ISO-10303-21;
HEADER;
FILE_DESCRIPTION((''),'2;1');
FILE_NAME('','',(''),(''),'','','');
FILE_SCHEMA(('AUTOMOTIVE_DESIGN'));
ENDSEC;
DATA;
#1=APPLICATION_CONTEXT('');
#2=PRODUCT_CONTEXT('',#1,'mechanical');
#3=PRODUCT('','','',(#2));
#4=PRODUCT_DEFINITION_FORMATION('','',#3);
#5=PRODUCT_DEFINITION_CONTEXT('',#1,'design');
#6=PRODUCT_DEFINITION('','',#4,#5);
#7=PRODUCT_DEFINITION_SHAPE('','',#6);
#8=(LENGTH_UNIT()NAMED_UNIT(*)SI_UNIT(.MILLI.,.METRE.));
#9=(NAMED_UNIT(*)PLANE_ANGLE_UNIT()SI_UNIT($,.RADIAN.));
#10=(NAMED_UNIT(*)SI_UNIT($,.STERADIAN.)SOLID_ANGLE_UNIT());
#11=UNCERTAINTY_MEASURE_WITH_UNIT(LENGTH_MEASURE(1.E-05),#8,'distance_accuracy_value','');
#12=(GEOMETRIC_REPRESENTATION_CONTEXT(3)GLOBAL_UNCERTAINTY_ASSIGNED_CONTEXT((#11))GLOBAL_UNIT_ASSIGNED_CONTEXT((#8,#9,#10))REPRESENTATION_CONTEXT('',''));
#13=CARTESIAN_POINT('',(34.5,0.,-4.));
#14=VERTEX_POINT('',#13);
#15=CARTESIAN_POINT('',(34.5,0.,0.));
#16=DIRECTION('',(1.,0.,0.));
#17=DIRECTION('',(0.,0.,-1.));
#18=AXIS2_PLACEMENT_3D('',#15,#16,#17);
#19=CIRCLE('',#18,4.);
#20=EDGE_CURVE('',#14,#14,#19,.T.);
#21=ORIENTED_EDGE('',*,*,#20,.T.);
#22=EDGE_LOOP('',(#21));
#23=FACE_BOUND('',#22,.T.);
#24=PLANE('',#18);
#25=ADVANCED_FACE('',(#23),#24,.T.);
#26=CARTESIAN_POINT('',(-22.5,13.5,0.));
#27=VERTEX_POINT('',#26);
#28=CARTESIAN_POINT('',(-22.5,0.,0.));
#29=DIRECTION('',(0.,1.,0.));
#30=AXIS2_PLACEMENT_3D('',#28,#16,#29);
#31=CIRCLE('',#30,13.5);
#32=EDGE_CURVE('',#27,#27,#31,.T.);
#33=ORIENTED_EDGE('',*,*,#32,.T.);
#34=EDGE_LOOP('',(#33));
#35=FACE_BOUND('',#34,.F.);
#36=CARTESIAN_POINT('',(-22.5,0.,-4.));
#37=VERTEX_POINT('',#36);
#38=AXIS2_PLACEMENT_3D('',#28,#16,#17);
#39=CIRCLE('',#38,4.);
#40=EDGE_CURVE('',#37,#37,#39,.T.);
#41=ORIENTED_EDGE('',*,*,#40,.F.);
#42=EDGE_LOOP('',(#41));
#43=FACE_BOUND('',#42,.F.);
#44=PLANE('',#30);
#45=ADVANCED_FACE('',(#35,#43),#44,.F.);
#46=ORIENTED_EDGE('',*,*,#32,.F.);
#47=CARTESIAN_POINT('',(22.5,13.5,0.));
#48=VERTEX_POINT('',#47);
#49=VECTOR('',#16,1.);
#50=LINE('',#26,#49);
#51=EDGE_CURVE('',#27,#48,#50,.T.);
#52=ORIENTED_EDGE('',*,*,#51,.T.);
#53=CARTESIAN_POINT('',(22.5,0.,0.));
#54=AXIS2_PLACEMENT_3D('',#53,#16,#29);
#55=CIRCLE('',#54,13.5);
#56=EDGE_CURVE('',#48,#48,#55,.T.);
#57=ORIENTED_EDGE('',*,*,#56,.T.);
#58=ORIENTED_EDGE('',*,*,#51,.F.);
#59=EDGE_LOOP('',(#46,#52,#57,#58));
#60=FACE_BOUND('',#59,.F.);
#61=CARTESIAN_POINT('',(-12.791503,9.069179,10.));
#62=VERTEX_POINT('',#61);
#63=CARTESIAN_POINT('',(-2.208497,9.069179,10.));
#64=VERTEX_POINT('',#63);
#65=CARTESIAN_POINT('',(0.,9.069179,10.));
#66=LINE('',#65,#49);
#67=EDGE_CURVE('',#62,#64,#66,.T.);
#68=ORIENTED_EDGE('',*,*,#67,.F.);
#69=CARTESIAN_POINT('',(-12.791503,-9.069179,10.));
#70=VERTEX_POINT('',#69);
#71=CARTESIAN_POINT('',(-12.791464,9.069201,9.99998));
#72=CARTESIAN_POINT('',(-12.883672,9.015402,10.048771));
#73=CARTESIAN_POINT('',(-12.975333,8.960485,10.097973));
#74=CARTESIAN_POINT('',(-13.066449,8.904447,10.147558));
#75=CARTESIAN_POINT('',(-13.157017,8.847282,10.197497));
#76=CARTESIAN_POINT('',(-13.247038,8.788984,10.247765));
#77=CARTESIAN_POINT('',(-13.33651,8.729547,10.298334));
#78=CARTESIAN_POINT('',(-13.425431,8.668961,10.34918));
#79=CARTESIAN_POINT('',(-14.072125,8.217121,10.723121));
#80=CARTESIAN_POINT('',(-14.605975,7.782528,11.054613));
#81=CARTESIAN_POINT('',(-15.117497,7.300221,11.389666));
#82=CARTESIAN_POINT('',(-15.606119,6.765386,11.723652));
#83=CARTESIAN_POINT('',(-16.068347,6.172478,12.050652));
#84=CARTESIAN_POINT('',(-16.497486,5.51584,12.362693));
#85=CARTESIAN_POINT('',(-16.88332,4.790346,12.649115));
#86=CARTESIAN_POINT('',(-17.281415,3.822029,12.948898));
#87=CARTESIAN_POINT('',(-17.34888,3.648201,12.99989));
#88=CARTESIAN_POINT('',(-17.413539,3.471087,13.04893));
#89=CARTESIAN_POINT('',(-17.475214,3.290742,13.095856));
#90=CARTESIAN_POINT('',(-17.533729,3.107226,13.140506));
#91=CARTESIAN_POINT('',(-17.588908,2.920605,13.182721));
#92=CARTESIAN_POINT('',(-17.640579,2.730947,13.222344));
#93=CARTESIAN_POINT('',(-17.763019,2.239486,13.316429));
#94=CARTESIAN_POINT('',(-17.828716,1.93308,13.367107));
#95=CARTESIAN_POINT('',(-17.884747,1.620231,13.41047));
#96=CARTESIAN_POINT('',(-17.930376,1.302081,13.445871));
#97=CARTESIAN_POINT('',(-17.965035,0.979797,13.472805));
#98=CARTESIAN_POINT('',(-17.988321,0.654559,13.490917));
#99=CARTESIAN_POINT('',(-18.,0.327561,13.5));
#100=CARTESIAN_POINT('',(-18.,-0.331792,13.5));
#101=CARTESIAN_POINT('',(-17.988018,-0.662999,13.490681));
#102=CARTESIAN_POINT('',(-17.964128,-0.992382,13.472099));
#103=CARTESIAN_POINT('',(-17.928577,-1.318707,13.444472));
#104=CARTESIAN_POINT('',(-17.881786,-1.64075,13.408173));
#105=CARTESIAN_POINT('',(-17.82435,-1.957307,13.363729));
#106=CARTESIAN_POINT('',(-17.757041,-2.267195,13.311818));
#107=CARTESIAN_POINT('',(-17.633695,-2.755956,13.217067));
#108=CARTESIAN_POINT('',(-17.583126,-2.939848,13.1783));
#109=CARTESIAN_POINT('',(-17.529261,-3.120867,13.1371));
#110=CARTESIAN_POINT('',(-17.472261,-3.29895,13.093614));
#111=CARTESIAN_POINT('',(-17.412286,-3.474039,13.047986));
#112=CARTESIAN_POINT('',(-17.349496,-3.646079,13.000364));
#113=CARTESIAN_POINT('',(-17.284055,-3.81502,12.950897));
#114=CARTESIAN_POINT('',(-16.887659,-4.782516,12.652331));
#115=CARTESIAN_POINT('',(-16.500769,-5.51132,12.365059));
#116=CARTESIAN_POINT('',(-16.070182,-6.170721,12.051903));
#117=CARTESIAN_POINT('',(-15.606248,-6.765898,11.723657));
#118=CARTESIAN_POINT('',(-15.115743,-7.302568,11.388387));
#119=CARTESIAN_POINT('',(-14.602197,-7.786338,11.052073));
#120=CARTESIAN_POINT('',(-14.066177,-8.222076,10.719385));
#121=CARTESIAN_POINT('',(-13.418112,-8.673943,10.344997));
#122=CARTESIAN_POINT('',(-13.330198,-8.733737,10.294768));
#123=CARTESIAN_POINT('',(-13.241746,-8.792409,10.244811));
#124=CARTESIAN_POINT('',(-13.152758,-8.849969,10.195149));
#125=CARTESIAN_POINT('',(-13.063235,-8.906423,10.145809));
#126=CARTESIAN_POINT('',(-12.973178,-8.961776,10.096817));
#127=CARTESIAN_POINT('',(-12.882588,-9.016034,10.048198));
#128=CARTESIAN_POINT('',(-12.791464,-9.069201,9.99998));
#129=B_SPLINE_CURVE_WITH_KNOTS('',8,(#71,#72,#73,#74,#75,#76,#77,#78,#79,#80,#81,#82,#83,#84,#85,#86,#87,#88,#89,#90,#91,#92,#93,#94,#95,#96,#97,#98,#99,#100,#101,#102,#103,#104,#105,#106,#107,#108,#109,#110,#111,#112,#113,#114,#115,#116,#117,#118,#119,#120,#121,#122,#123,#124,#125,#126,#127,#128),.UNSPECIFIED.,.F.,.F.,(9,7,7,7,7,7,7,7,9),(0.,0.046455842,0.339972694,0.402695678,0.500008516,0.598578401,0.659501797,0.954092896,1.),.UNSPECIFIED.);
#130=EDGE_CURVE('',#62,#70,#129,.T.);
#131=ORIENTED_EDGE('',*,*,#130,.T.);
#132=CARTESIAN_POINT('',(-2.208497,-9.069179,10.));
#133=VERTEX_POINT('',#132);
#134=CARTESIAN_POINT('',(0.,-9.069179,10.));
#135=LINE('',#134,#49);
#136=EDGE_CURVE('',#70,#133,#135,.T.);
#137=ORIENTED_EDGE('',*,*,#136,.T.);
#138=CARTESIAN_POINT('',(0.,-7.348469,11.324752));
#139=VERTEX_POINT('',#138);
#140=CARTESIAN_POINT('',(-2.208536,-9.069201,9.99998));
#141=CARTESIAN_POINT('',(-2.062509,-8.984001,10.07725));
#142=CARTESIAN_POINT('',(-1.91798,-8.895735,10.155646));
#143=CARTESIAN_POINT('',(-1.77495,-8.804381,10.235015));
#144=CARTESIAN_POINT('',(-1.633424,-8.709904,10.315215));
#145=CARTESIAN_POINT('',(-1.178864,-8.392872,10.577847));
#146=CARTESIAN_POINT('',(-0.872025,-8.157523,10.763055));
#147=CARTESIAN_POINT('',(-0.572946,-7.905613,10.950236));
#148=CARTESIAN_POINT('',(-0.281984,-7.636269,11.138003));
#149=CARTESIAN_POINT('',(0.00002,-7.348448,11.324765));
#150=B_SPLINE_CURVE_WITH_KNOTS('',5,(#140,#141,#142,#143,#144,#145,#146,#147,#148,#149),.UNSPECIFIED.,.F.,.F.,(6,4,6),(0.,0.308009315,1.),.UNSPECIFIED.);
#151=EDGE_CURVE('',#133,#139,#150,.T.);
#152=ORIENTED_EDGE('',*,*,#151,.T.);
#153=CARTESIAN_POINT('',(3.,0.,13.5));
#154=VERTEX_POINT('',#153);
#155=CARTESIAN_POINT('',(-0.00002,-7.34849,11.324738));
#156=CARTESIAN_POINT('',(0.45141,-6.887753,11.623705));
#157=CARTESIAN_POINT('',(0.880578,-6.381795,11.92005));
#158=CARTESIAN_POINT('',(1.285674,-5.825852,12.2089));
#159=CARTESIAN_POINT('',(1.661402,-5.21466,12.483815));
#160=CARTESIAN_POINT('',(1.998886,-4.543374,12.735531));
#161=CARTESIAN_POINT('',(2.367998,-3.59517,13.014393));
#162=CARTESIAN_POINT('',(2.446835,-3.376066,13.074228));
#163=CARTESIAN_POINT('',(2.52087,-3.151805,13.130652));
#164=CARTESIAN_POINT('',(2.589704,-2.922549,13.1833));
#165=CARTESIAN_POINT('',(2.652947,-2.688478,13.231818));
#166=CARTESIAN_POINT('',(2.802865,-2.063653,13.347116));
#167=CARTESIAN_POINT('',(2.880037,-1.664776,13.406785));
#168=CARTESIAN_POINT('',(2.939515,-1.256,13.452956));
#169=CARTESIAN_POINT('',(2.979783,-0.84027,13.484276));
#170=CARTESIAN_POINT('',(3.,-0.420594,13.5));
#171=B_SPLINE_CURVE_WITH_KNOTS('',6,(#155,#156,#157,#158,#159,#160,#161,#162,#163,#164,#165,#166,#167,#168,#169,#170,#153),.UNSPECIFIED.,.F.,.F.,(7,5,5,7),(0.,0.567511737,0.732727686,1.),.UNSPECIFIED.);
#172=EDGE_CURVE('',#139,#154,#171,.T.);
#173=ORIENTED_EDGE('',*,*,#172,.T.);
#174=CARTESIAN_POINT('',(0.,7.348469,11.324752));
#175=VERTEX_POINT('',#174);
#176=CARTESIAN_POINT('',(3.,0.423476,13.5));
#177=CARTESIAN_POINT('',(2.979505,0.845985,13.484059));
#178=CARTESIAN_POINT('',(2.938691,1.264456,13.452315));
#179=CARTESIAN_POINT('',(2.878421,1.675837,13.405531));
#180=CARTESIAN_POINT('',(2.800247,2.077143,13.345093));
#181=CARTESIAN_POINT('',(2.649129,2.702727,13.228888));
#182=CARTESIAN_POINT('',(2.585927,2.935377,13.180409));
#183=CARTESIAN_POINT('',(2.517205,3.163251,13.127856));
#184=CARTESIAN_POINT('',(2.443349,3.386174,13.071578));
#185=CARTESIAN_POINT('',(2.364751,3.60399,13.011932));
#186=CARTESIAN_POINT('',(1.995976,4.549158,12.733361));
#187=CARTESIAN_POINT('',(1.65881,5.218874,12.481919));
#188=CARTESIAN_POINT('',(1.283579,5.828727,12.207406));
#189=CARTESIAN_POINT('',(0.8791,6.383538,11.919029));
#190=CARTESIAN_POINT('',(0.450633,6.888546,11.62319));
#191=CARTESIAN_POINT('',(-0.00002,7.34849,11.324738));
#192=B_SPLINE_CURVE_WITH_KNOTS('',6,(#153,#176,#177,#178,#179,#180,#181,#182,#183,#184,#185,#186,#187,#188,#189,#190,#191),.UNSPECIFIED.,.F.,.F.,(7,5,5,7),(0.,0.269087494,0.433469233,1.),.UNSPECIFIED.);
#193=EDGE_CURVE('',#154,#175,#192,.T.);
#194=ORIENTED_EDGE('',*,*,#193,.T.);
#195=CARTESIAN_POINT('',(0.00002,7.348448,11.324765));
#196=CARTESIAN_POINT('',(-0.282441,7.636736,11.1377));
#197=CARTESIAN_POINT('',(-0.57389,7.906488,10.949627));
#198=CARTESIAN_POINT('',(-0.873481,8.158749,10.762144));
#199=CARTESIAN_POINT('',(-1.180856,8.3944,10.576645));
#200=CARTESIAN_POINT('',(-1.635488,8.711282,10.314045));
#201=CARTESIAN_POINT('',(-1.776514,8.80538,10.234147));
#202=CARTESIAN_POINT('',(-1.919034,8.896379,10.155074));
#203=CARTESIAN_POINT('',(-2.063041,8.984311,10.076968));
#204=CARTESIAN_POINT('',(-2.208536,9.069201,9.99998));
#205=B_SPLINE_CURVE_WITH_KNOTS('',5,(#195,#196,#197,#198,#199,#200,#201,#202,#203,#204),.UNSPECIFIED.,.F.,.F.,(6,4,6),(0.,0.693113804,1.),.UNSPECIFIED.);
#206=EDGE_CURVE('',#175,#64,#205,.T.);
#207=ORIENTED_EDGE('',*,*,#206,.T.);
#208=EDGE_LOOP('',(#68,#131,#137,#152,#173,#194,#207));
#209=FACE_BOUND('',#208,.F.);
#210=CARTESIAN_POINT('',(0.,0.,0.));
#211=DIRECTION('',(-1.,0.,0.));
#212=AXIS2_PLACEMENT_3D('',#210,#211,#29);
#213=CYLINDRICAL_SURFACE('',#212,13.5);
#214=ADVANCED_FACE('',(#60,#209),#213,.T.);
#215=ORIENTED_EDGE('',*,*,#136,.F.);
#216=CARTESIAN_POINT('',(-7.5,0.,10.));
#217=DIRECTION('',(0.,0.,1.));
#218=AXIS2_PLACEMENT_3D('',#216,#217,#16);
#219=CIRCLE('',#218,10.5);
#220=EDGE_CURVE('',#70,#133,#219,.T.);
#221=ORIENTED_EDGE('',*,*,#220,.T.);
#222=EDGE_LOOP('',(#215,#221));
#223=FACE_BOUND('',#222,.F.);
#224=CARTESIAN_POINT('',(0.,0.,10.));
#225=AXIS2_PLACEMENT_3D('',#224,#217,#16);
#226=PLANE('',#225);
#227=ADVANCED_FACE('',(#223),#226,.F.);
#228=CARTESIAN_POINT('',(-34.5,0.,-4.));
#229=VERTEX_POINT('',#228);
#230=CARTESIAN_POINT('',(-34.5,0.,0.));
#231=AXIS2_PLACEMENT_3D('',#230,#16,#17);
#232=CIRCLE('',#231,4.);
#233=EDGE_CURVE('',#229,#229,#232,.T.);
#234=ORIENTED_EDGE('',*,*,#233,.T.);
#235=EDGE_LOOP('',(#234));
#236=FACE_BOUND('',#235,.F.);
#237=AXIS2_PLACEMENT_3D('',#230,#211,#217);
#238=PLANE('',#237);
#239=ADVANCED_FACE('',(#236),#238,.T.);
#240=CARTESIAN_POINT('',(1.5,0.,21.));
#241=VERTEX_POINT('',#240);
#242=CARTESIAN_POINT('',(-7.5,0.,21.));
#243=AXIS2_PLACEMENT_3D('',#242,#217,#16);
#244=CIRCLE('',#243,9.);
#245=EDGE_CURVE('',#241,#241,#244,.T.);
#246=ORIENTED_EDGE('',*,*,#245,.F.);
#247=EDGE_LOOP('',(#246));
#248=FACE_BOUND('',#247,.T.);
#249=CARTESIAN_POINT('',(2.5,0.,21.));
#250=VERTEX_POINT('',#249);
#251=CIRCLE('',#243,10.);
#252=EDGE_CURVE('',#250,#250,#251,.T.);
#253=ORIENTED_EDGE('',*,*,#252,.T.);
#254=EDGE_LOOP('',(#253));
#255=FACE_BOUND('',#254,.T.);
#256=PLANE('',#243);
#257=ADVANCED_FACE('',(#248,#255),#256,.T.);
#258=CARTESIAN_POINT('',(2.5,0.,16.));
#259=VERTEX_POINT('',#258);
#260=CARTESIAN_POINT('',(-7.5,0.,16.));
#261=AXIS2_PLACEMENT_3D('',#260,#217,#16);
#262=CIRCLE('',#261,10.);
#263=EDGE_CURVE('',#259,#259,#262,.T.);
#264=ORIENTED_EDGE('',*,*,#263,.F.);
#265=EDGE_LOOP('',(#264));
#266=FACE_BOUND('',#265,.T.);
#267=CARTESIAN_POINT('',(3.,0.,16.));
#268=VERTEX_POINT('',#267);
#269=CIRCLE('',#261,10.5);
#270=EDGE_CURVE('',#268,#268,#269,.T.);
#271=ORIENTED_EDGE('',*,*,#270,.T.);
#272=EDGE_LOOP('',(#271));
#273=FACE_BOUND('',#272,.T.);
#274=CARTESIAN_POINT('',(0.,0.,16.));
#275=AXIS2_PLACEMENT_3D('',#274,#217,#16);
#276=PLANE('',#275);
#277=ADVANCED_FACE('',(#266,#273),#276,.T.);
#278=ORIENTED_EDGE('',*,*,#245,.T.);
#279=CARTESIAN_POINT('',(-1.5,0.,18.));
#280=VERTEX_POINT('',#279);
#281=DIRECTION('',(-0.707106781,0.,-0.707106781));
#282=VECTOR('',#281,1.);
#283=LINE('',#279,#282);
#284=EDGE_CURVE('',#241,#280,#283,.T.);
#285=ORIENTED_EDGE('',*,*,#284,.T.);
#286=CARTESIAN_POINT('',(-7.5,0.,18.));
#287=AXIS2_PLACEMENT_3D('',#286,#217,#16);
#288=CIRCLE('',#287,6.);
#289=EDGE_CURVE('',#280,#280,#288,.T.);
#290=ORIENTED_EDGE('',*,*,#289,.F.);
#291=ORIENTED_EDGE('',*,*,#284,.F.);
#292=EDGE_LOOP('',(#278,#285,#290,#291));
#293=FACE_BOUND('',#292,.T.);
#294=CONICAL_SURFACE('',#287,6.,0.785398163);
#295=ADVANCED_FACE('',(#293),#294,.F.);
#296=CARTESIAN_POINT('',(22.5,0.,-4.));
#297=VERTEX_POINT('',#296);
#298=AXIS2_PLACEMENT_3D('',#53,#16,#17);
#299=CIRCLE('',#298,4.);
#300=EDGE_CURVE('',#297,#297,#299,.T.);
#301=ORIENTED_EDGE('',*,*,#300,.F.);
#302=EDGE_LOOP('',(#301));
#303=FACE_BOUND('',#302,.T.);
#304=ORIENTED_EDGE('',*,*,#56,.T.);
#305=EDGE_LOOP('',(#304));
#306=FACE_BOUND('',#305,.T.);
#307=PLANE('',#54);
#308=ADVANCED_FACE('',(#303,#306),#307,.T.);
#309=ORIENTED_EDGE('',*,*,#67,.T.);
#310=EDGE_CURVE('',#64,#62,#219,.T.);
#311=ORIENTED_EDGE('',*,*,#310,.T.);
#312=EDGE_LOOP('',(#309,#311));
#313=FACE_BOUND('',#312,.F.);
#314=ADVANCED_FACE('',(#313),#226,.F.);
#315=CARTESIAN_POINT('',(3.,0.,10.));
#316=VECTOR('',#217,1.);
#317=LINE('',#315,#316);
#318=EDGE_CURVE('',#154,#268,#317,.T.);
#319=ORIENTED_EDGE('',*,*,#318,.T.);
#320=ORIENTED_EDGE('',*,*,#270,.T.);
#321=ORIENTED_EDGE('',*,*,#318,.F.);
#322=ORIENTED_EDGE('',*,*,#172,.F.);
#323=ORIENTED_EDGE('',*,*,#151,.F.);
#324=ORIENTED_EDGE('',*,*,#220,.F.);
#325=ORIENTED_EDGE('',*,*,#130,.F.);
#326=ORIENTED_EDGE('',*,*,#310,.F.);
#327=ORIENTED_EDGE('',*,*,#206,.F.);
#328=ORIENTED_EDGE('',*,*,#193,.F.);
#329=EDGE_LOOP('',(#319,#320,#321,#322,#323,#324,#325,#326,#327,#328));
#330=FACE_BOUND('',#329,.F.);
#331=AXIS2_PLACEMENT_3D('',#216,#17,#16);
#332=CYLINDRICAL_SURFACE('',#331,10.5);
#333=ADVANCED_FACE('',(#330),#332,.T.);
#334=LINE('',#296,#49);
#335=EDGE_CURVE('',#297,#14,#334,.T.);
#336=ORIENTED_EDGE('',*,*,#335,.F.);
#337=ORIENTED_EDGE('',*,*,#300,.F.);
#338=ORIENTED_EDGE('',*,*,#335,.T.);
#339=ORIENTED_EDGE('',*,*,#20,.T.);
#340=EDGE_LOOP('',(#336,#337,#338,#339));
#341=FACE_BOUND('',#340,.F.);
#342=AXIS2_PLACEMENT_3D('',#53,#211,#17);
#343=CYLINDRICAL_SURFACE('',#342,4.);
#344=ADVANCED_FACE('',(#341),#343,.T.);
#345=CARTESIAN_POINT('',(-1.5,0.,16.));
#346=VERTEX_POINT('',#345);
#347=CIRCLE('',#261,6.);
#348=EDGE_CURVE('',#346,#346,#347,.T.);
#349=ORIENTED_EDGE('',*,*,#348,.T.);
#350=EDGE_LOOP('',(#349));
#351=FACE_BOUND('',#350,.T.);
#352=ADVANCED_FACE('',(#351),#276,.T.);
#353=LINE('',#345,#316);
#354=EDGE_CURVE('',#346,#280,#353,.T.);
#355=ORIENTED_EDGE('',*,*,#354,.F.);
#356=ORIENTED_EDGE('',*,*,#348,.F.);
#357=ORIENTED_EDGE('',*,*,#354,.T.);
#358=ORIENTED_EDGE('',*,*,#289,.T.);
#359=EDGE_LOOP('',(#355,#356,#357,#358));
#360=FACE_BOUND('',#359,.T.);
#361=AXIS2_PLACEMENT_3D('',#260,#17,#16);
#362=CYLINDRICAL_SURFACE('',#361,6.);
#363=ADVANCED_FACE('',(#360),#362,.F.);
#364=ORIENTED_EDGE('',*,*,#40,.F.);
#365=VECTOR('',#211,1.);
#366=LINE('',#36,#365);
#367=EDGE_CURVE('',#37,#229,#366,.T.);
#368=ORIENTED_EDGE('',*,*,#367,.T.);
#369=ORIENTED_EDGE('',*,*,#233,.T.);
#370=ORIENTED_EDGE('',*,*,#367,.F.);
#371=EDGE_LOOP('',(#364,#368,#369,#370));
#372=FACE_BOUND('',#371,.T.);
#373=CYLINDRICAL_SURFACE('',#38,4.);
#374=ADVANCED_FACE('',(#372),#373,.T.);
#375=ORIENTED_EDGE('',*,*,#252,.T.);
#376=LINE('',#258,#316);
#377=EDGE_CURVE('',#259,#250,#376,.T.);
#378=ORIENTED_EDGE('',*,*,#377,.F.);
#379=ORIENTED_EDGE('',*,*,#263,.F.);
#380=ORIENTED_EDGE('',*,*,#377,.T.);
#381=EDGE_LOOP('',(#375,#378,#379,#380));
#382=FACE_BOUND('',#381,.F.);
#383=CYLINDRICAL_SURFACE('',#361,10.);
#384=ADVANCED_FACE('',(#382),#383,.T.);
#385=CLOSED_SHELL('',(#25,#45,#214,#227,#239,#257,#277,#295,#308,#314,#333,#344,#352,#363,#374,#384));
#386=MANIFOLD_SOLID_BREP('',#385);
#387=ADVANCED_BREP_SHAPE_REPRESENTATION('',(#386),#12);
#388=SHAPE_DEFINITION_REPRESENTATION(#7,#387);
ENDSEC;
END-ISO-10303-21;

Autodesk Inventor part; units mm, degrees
ref_plane "YZ Plane" through (0, 0, 0) normal (1, 0, 0) x (0, 1, 0)
ref_plane "XZ Plane" through (0, 0, 0) normal (0, 1, 0) x (-1, 0, 0)
sketch "Szkic1" plane through (0, 0, 0) normal (1, 0, 0) x (0, 1, 0)
  circle A0 centre (0, 0) radius 13.5
  dimension "d0" = 27
extrude "Wyciągnięcie proste1" add sketch "Szkic1" along normal mid plane 45
sketch "Szkic2" plane through (22.5, 0, 0) normal (1, 0, 0) x (0, 0, -1)
  circle A0 centre (0, 0) radius 4
  dimension "d3" = 8
extrude "Wyciągnięcie proste2" add sketch "Szkic2" along normal blind 12
mirror "Odbij1" about plane through (0, 0, 0) normal (1, 0, 0) of "Wyciągnięcie proste2"
ref_plane "Płaszczyzna konstrukcyjna1" through (0, 0, 10) normal (0, 0, 1) x (1, 0, 0)
sketch "Szkic3" plane through (0, 0, 10) normal (0, 0, 1) x (1, 0, 0)
  circle A0 centre (-7.5, 0) radius 10.5
  line L0 (-22.5, 13.5) -> (-22.5, -13.5) projected
  point P0 (0, 0)
  dimension "d7" = 21
  dimension "d8" = 15
  dimension "d9" = 13.5
extrude "Wyciągnięcie proste3" add sketch "Szkic3" along normal blind 6
sketch "Szkic4" plane through (-7.5, 0, 16) normal (0, 0, 1) x (1, 0, 0)
  circle A0 centre (0, 0) radius 10
  line L0 (-15, 13.5) -> (-15, -13.5) projected
  circle A1 centre (0, 0) radius 6
  point P0 (7.5, 0)
  dimension "d12" = 20
  dimension "d13" = 15
  dimension "d14" = 13.5
  dimension "d15" = 12
extrude "Wyciągnięcie proste4" add sketch "Szkic4" along normal blind 5
chamfer "Faza1" distance 3 angle 45 1 edges at (-13.5, 0, 21)
properties part number "Kamera" material "Tworzywo sztuczne ABS"
